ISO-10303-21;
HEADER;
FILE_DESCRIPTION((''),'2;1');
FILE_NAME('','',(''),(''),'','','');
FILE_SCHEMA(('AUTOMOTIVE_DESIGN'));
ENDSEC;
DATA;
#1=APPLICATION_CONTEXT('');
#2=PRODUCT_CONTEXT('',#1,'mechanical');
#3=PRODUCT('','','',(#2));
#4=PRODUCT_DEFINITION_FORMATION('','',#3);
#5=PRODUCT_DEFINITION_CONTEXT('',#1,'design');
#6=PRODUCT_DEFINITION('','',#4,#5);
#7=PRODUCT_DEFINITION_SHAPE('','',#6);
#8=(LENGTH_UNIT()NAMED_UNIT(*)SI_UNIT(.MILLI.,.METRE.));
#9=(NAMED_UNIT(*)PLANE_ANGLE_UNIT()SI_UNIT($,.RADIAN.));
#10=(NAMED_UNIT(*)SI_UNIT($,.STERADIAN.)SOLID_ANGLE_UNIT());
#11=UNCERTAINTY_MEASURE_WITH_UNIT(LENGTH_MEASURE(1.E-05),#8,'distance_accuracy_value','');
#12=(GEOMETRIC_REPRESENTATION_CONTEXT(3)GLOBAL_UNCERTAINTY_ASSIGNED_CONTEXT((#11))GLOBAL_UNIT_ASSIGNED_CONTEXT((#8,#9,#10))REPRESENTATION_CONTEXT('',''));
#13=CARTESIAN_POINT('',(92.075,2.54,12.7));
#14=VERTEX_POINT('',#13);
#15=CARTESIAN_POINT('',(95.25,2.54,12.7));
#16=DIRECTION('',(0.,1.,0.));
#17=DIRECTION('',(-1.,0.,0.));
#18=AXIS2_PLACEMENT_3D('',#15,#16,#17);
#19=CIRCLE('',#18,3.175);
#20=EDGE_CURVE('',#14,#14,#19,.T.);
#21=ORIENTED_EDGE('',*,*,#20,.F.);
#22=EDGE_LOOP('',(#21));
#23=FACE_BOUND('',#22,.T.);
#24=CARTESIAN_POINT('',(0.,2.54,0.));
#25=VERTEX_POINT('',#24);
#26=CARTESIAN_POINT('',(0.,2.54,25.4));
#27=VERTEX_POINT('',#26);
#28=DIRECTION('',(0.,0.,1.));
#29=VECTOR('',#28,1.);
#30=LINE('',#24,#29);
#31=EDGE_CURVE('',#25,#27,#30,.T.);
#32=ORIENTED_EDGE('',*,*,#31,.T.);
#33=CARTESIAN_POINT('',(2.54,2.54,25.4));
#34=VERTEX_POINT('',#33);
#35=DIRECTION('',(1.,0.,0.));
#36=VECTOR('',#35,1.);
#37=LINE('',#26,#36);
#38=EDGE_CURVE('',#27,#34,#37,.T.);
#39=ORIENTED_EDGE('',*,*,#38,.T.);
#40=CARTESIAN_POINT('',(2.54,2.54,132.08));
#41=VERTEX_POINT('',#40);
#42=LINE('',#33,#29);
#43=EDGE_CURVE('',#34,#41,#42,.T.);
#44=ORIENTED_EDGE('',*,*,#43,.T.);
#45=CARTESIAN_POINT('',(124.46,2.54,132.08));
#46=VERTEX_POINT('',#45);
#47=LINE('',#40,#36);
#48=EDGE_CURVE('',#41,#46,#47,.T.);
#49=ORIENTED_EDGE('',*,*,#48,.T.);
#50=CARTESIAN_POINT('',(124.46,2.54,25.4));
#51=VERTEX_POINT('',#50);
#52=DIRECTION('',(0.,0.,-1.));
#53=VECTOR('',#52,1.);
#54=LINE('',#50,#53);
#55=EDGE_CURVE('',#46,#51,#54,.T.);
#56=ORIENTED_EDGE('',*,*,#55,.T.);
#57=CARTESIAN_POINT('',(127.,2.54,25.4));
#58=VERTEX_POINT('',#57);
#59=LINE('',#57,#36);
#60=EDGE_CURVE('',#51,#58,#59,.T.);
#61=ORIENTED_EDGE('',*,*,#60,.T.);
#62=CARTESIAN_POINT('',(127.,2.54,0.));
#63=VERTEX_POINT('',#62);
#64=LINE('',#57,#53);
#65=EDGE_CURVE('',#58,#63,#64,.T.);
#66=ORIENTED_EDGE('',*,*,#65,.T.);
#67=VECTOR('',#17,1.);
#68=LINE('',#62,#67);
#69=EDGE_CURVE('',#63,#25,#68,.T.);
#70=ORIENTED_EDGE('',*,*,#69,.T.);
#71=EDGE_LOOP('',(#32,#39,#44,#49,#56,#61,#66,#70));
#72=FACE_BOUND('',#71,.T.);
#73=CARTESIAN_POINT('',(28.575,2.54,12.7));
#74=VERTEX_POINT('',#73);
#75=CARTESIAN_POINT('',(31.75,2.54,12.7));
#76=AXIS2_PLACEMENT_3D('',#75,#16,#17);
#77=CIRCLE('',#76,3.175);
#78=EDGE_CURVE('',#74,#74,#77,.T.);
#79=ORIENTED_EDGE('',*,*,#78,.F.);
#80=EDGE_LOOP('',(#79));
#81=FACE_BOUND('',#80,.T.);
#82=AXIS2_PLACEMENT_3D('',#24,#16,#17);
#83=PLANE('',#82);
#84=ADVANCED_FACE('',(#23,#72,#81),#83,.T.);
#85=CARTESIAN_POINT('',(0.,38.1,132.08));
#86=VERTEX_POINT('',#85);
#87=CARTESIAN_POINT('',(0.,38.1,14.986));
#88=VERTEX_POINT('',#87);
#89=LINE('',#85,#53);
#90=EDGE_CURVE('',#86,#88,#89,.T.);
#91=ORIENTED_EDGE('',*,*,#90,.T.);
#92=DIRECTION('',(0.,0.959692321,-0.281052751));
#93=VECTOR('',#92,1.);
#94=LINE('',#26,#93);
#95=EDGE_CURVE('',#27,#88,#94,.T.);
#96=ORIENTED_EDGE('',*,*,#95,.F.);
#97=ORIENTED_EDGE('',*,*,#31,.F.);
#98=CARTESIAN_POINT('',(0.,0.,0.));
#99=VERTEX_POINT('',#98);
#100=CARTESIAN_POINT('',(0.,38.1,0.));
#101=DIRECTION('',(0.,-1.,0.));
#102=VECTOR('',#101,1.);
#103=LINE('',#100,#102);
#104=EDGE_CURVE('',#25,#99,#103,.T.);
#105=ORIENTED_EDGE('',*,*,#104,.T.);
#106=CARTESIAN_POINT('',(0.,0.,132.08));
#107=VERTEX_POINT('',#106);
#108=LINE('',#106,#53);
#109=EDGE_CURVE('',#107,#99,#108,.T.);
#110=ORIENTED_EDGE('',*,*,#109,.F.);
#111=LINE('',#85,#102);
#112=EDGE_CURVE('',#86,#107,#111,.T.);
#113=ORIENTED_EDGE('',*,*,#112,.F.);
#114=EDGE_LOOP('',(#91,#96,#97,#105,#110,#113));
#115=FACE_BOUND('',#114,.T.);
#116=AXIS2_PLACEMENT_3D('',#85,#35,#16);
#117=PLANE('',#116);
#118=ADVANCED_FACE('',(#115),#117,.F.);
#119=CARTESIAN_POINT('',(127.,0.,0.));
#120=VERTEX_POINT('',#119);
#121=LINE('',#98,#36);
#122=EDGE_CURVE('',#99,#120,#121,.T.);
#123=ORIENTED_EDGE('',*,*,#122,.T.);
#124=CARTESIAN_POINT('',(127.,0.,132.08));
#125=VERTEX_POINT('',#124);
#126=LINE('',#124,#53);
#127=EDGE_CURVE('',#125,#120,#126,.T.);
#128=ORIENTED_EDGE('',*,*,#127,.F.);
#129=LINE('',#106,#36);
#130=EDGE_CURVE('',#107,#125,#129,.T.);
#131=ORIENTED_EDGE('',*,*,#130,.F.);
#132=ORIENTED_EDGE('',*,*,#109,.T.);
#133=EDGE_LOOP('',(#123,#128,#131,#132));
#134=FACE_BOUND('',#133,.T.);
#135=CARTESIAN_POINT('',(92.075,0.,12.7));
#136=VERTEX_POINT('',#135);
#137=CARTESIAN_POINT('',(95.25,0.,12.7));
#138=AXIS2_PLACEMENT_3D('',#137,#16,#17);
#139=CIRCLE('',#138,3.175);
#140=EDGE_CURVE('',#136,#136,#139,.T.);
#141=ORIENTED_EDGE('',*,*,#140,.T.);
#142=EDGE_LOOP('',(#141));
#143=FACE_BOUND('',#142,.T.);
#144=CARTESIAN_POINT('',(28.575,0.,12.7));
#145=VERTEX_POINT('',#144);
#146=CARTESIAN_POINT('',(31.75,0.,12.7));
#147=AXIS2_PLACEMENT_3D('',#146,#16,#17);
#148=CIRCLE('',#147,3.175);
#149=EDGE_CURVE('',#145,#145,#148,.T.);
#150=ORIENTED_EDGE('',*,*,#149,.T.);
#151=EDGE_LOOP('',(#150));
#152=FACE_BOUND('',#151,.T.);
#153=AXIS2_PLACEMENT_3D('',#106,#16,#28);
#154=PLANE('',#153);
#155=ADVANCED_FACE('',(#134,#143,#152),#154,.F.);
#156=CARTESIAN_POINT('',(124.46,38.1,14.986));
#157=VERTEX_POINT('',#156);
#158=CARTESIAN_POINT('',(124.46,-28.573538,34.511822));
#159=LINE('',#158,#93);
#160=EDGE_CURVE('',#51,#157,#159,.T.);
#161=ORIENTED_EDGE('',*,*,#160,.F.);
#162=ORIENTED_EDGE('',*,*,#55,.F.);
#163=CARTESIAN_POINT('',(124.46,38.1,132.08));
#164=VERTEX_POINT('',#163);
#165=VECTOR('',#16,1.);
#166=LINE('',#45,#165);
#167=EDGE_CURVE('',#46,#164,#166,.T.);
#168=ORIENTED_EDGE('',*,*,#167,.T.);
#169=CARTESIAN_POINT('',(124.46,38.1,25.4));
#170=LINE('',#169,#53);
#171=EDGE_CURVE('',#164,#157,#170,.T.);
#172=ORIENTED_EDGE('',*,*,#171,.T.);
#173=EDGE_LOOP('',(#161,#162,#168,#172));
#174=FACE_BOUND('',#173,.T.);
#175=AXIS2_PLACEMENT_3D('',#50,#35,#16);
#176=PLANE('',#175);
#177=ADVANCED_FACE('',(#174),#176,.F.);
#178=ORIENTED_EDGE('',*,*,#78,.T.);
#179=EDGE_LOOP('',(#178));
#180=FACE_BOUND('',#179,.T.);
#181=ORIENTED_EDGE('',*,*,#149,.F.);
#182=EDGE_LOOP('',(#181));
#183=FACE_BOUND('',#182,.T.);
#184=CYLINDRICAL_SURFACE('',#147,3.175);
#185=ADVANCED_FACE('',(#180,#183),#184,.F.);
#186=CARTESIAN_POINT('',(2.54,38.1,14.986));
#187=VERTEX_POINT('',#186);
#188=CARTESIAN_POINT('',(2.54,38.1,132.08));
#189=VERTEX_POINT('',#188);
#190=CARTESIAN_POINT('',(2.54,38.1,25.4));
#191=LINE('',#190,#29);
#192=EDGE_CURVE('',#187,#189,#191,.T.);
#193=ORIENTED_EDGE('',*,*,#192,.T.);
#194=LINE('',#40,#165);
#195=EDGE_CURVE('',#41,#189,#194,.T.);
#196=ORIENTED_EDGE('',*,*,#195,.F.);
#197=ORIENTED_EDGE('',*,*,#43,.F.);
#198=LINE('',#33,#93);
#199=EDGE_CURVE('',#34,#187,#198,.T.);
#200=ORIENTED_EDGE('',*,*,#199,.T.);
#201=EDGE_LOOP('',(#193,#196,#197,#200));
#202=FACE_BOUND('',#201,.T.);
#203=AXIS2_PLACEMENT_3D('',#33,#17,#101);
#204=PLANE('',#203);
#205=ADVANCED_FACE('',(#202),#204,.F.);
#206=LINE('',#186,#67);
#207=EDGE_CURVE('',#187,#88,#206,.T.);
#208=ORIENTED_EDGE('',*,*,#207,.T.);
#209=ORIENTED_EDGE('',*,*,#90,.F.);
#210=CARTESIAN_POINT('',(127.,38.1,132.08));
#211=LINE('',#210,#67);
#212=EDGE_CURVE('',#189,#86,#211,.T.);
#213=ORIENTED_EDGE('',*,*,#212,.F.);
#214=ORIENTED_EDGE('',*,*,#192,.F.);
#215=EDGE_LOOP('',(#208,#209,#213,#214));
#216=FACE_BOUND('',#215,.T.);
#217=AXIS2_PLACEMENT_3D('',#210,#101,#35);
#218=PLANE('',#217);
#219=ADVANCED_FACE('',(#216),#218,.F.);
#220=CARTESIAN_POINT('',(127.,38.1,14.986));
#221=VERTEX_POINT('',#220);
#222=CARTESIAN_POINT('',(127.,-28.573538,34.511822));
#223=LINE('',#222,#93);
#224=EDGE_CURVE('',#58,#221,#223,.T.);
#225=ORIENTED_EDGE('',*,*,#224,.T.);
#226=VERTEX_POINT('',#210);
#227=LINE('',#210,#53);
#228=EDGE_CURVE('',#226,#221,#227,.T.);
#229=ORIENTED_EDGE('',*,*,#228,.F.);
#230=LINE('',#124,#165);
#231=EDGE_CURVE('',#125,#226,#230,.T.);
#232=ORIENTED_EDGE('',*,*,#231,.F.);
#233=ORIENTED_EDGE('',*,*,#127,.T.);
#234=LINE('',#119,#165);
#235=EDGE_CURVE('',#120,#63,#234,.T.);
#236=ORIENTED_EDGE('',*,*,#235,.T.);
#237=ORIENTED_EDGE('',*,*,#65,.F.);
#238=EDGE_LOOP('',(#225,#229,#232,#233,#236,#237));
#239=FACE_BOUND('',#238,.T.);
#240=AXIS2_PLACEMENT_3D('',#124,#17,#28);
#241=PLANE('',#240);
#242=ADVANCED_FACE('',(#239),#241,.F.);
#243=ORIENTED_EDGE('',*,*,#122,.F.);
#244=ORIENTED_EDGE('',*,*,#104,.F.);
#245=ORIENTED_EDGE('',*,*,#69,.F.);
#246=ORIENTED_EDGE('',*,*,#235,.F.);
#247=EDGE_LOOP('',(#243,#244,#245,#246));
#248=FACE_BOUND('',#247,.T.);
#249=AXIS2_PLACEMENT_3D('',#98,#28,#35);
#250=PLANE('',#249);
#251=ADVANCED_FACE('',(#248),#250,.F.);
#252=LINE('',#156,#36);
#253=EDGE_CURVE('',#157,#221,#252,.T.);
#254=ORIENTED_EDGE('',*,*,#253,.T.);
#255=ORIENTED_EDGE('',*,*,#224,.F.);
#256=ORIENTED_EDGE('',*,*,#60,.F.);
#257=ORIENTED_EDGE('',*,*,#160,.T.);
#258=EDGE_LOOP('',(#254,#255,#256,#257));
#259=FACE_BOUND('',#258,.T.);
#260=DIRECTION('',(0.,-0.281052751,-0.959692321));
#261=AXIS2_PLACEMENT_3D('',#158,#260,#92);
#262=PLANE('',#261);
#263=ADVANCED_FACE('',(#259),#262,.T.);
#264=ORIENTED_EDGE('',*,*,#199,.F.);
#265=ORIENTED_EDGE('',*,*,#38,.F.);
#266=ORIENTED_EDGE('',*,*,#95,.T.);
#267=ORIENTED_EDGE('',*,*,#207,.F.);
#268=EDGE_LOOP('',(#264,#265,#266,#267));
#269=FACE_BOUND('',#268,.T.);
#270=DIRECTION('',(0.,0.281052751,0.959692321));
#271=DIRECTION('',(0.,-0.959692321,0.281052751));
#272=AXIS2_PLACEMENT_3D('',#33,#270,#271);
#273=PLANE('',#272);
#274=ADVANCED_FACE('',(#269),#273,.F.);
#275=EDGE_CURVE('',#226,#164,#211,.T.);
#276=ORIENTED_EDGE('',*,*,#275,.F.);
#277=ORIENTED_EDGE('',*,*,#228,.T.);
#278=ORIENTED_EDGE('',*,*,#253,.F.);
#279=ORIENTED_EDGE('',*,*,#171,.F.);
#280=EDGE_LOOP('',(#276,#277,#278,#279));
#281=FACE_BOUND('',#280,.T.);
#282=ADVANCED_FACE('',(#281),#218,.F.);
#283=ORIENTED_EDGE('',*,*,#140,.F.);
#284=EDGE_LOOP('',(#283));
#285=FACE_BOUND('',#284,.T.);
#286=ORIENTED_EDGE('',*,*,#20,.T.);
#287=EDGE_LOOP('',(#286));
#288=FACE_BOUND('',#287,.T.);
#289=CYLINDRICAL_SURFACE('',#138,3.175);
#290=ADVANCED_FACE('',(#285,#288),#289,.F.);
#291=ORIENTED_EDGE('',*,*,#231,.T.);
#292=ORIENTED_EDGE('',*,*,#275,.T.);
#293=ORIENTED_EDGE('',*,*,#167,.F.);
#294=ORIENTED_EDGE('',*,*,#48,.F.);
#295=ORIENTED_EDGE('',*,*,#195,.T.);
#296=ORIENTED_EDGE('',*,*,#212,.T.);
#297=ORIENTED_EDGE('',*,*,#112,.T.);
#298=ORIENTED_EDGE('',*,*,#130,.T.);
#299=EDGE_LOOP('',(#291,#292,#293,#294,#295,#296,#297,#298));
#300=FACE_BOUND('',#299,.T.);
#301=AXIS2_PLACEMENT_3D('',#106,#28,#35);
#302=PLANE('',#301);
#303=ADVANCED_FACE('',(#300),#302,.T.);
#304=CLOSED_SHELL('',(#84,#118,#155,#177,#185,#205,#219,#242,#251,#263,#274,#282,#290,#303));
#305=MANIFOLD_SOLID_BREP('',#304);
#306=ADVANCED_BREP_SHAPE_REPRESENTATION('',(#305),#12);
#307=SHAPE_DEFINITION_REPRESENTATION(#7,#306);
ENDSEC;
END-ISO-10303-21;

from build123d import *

# Parameters (mm, degrees)
SKETCH1_W           = 127
SKETCH1_H           = 38.1
BOSS_EXTRUDE1_DEPTH = 132.08
CUT_EXTRUDE1_DEPTH  = 35.56
BOSS_EXTRUDE2_DEPTH = 2.54
BOSS_EXTRUDE3_START = 127
BOSS_EXTRUDE3_DEPTH = 2.54
SKETCH4_R           = 3.175
CUT_EXTRUDE2_DEPTH  = 2.54


with BuildPart() as part:
    # Sketch1 → Boss-Extrude1 (new body)
    with BuildSketch(Plane.XY):
        with Locations((63.5, 19.05)):
            Rectangle(SKETCH1_W, SKETCH1_H)
    extrude(amount=BOSS_EXTRUDE1_DEPTH)

    # Sketch2 → Cut-Extrude1 (cut)
    with BuildSketch(Plane(origin=(0, 38.1, 0), x_dir=(1, 0, 0), z_dir=(0, 1, 0))):
        Polygon((0, -25.4), (2.54, -25.4), (2.54, -132.08), (124.46, -132.08), (124.46, -25.4), (127, -25.4), (127, 0), (0, 0), align=None)
    extrude(amount=-CUT_EXTRUDE1_DEPTH, mode=Mode.SUBTRACT)

    # Sketch3 → Boss-Extrude2 (add)
    with BuildSketch(Plane(origin=(0, 0, 0), x_dir=(0, 0, -1), z_dir=(1, 0, 0))):
        Polygon((-25.4, 2.54), (-14.986, 38.1), (-25.4, 38.1), align=None)
    extrude(amount=BOSS_EXTRUDE2_DEPTH)

    # Sketch3<2> → Boss-Extrude3 (add)
    with BuildSketch(Plane(origin=(0, 0, 0), x_dir=(0, 0, -1), z_dir=(1, 0, 0)).offset(BOSS_EXTRUDE3_START)):
        Polygon((-25.4, 2.54), (-14.986, 38.1), (-25.4, 38.1), align=None)
    extrude(amount=-BOSS_EXTRUDE3_DEPTH)

    # Sketch4 → Cut-Extrude2 (cut)
    with BuildSketch(Plane(origin=(0, 2.54, 0), x_dir=(1, 0, 0), z_dir=(0, 1, 0))):
        with Locations(Location((31.75, -12.7, 0), (0, 0, 180))):
            Circle(SKETCH4_R)
        with Locations(Location((95.25, -12.7, 0), (0, 0, 180))):
            Circle(SKETCH4_R)
    extrude(amount=-CUT_EXTRUDE2_DEPTH, mode=Mode.SUBTRACT)


solid = part.part
